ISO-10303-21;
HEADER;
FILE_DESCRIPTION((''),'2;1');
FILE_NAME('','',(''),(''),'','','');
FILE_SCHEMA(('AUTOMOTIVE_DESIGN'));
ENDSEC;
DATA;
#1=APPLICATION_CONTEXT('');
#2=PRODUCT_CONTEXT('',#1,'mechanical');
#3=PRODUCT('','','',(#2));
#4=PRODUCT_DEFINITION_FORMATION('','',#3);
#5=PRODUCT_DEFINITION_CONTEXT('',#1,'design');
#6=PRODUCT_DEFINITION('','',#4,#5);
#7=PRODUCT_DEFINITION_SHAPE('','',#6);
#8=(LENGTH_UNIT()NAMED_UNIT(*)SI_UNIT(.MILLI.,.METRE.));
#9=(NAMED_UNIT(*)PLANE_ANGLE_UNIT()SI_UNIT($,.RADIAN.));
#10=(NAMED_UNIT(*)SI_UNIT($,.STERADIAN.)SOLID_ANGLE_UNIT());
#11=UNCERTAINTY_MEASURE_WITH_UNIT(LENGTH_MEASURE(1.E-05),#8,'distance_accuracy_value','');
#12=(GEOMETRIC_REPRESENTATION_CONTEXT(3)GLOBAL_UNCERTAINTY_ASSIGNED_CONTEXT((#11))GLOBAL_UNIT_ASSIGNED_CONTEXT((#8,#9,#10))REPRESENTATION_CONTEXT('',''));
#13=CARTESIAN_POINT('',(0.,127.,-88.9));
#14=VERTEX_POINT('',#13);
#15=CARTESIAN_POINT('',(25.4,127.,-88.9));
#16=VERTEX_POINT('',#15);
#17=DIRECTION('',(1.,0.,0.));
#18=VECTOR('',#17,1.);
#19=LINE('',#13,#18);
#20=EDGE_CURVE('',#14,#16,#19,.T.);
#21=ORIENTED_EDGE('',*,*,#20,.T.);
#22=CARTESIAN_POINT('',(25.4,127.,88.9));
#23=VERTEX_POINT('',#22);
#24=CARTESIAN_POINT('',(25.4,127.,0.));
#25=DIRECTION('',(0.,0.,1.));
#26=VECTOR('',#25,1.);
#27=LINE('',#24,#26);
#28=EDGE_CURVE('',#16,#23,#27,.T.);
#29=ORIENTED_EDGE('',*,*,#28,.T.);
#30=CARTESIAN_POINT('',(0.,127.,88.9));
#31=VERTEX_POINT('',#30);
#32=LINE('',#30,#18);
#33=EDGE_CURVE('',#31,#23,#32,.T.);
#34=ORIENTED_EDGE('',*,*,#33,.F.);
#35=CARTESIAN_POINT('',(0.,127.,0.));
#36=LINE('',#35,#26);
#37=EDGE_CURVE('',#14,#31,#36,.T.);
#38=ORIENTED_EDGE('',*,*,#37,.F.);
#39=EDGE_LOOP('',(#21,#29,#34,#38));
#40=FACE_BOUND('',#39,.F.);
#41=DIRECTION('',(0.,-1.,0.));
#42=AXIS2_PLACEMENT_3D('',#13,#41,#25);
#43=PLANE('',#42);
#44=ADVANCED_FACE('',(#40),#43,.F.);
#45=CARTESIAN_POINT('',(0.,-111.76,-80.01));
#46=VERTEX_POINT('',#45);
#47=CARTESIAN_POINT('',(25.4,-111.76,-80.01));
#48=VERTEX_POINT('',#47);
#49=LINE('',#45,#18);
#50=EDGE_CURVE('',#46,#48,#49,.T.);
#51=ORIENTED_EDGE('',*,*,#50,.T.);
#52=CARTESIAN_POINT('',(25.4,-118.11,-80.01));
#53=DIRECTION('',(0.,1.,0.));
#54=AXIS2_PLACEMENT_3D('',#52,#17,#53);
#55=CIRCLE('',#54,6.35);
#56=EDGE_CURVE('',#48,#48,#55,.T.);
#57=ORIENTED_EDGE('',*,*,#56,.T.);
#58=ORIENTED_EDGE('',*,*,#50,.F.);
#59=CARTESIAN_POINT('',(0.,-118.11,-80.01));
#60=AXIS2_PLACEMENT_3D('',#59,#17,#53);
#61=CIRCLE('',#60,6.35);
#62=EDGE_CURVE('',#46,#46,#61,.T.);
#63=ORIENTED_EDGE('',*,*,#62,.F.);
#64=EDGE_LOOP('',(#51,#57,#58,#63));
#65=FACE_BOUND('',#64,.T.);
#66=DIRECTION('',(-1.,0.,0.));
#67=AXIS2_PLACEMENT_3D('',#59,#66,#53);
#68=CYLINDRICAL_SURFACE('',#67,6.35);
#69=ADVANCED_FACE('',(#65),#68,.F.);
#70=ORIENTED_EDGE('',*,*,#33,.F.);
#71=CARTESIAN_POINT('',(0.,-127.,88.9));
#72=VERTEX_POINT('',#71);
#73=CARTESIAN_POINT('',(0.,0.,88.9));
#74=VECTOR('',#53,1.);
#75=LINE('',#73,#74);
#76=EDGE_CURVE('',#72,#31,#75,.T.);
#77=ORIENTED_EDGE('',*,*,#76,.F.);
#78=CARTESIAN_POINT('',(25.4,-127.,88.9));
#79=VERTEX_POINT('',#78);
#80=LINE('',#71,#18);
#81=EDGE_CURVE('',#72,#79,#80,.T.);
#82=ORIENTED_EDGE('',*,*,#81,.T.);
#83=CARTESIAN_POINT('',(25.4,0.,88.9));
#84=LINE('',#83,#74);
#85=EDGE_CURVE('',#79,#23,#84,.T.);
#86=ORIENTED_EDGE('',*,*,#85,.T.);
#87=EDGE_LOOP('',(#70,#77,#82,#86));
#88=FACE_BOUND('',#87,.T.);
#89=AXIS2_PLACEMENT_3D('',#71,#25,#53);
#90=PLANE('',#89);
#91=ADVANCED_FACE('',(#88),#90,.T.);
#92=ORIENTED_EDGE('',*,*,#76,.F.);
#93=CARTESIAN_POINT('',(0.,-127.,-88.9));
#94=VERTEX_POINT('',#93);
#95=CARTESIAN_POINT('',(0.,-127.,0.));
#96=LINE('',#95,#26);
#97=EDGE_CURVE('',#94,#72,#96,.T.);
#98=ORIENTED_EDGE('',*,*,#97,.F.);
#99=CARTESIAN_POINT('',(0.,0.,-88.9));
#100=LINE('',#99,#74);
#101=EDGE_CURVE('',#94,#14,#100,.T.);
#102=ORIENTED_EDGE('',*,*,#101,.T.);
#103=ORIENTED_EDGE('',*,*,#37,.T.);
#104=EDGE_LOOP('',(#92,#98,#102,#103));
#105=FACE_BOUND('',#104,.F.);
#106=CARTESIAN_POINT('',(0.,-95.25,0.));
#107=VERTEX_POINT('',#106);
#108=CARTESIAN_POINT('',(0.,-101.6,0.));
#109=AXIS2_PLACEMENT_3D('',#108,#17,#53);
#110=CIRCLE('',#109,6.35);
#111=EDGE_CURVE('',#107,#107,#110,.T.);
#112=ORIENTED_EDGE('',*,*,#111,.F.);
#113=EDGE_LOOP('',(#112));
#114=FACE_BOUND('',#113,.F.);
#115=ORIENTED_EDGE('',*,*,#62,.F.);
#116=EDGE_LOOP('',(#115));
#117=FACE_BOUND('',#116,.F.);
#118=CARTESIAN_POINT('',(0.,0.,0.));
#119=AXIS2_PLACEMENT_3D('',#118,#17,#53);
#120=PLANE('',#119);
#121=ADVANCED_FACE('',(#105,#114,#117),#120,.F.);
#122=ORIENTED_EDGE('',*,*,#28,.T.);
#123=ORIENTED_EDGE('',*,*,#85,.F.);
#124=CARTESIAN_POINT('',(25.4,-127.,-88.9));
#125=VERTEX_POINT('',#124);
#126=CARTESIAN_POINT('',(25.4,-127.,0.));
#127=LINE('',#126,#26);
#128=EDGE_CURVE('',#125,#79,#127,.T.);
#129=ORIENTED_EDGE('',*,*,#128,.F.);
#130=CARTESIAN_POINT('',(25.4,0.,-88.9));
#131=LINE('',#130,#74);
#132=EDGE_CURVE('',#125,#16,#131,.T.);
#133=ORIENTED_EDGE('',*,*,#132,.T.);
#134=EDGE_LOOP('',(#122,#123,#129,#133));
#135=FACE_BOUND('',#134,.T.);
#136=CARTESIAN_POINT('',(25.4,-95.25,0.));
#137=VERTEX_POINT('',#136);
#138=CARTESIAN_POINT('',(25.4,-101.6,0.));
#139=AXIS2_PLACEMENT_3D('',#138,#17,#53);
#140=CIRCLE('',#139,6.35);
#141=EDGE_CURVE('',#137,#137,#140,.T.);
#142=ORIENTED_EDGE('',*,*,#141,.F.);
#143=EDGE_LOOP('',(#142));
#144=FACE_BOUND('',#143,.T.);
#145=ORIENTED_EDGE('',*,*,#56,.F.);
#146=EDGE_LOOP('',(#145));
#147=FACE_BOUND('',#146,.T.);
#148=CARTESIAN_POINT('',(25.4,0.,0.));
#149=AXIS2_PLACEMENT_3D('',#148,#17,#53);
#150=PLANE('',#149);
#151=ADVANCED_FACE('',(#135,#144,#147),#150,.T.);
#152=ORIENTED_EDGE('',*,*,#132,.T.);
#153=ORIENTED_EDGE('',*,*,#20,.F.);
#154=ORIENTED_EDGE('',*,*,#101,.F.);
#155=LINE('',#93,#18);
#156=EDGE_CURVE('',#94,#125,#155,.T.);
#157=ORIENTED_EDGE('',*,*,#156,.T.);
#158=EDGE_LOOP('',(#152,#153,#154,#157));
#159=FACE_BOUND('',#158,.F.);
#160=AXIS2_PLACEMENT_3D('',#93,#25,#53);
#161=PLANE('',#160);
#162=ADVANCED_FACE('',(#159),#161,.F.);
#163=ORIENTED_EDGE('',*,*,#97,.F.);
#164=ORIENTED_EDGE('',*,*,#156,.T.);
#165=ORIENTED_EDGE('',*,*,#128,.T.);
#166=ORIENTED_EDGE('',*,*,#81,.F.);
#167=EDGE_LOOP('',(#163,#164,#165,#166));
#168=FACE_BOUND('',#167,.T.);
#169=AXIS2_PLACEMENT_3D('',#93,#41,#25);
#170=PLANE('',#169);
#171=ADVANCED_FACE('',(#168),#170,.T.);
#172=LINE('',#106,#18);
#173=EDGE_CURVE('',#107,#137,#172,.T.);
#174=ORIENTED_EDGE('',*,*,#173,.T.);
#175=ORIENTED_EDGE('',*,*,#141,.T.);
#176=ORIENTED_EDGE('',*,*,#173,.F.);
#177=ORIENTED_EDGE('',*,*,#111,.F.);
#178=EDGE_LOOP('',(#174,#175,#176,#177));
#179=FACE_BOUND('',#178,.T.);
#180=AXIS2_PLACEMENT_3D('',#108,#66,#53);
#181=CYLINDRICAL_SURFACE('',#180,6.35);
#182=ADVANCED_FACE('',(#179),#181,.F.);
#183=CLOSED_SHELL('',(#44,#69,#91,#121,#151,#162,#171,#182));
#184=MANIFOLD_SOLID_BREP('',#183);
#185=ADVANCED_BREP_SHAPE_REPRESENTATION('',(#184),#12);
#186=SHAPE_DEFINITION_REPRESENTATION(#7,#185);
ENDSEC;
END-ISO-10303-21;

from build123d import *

# Parameters (mm, degrees)
F0_W     = 254
F0_H     = 177.8
F0_R     = 6.35
F1_DEPTH = 25.4


with BuildPart() as f1:
    # F0 (on Right) → F1 (new body)
    with BuildSketch(Plane.YZ):
        Rectangle(F0_W, F0_H)
        with Locations((-118.11, -80.01)):
            Circle(F0_R, mode=Mode.SUBTRACT)
        with Locations((-101.6, 0)):
            Circle(F0_R, mode=Mode.SUBTRACT)
    extrude(amount=F1_DEPTH)


solid = f1.part
